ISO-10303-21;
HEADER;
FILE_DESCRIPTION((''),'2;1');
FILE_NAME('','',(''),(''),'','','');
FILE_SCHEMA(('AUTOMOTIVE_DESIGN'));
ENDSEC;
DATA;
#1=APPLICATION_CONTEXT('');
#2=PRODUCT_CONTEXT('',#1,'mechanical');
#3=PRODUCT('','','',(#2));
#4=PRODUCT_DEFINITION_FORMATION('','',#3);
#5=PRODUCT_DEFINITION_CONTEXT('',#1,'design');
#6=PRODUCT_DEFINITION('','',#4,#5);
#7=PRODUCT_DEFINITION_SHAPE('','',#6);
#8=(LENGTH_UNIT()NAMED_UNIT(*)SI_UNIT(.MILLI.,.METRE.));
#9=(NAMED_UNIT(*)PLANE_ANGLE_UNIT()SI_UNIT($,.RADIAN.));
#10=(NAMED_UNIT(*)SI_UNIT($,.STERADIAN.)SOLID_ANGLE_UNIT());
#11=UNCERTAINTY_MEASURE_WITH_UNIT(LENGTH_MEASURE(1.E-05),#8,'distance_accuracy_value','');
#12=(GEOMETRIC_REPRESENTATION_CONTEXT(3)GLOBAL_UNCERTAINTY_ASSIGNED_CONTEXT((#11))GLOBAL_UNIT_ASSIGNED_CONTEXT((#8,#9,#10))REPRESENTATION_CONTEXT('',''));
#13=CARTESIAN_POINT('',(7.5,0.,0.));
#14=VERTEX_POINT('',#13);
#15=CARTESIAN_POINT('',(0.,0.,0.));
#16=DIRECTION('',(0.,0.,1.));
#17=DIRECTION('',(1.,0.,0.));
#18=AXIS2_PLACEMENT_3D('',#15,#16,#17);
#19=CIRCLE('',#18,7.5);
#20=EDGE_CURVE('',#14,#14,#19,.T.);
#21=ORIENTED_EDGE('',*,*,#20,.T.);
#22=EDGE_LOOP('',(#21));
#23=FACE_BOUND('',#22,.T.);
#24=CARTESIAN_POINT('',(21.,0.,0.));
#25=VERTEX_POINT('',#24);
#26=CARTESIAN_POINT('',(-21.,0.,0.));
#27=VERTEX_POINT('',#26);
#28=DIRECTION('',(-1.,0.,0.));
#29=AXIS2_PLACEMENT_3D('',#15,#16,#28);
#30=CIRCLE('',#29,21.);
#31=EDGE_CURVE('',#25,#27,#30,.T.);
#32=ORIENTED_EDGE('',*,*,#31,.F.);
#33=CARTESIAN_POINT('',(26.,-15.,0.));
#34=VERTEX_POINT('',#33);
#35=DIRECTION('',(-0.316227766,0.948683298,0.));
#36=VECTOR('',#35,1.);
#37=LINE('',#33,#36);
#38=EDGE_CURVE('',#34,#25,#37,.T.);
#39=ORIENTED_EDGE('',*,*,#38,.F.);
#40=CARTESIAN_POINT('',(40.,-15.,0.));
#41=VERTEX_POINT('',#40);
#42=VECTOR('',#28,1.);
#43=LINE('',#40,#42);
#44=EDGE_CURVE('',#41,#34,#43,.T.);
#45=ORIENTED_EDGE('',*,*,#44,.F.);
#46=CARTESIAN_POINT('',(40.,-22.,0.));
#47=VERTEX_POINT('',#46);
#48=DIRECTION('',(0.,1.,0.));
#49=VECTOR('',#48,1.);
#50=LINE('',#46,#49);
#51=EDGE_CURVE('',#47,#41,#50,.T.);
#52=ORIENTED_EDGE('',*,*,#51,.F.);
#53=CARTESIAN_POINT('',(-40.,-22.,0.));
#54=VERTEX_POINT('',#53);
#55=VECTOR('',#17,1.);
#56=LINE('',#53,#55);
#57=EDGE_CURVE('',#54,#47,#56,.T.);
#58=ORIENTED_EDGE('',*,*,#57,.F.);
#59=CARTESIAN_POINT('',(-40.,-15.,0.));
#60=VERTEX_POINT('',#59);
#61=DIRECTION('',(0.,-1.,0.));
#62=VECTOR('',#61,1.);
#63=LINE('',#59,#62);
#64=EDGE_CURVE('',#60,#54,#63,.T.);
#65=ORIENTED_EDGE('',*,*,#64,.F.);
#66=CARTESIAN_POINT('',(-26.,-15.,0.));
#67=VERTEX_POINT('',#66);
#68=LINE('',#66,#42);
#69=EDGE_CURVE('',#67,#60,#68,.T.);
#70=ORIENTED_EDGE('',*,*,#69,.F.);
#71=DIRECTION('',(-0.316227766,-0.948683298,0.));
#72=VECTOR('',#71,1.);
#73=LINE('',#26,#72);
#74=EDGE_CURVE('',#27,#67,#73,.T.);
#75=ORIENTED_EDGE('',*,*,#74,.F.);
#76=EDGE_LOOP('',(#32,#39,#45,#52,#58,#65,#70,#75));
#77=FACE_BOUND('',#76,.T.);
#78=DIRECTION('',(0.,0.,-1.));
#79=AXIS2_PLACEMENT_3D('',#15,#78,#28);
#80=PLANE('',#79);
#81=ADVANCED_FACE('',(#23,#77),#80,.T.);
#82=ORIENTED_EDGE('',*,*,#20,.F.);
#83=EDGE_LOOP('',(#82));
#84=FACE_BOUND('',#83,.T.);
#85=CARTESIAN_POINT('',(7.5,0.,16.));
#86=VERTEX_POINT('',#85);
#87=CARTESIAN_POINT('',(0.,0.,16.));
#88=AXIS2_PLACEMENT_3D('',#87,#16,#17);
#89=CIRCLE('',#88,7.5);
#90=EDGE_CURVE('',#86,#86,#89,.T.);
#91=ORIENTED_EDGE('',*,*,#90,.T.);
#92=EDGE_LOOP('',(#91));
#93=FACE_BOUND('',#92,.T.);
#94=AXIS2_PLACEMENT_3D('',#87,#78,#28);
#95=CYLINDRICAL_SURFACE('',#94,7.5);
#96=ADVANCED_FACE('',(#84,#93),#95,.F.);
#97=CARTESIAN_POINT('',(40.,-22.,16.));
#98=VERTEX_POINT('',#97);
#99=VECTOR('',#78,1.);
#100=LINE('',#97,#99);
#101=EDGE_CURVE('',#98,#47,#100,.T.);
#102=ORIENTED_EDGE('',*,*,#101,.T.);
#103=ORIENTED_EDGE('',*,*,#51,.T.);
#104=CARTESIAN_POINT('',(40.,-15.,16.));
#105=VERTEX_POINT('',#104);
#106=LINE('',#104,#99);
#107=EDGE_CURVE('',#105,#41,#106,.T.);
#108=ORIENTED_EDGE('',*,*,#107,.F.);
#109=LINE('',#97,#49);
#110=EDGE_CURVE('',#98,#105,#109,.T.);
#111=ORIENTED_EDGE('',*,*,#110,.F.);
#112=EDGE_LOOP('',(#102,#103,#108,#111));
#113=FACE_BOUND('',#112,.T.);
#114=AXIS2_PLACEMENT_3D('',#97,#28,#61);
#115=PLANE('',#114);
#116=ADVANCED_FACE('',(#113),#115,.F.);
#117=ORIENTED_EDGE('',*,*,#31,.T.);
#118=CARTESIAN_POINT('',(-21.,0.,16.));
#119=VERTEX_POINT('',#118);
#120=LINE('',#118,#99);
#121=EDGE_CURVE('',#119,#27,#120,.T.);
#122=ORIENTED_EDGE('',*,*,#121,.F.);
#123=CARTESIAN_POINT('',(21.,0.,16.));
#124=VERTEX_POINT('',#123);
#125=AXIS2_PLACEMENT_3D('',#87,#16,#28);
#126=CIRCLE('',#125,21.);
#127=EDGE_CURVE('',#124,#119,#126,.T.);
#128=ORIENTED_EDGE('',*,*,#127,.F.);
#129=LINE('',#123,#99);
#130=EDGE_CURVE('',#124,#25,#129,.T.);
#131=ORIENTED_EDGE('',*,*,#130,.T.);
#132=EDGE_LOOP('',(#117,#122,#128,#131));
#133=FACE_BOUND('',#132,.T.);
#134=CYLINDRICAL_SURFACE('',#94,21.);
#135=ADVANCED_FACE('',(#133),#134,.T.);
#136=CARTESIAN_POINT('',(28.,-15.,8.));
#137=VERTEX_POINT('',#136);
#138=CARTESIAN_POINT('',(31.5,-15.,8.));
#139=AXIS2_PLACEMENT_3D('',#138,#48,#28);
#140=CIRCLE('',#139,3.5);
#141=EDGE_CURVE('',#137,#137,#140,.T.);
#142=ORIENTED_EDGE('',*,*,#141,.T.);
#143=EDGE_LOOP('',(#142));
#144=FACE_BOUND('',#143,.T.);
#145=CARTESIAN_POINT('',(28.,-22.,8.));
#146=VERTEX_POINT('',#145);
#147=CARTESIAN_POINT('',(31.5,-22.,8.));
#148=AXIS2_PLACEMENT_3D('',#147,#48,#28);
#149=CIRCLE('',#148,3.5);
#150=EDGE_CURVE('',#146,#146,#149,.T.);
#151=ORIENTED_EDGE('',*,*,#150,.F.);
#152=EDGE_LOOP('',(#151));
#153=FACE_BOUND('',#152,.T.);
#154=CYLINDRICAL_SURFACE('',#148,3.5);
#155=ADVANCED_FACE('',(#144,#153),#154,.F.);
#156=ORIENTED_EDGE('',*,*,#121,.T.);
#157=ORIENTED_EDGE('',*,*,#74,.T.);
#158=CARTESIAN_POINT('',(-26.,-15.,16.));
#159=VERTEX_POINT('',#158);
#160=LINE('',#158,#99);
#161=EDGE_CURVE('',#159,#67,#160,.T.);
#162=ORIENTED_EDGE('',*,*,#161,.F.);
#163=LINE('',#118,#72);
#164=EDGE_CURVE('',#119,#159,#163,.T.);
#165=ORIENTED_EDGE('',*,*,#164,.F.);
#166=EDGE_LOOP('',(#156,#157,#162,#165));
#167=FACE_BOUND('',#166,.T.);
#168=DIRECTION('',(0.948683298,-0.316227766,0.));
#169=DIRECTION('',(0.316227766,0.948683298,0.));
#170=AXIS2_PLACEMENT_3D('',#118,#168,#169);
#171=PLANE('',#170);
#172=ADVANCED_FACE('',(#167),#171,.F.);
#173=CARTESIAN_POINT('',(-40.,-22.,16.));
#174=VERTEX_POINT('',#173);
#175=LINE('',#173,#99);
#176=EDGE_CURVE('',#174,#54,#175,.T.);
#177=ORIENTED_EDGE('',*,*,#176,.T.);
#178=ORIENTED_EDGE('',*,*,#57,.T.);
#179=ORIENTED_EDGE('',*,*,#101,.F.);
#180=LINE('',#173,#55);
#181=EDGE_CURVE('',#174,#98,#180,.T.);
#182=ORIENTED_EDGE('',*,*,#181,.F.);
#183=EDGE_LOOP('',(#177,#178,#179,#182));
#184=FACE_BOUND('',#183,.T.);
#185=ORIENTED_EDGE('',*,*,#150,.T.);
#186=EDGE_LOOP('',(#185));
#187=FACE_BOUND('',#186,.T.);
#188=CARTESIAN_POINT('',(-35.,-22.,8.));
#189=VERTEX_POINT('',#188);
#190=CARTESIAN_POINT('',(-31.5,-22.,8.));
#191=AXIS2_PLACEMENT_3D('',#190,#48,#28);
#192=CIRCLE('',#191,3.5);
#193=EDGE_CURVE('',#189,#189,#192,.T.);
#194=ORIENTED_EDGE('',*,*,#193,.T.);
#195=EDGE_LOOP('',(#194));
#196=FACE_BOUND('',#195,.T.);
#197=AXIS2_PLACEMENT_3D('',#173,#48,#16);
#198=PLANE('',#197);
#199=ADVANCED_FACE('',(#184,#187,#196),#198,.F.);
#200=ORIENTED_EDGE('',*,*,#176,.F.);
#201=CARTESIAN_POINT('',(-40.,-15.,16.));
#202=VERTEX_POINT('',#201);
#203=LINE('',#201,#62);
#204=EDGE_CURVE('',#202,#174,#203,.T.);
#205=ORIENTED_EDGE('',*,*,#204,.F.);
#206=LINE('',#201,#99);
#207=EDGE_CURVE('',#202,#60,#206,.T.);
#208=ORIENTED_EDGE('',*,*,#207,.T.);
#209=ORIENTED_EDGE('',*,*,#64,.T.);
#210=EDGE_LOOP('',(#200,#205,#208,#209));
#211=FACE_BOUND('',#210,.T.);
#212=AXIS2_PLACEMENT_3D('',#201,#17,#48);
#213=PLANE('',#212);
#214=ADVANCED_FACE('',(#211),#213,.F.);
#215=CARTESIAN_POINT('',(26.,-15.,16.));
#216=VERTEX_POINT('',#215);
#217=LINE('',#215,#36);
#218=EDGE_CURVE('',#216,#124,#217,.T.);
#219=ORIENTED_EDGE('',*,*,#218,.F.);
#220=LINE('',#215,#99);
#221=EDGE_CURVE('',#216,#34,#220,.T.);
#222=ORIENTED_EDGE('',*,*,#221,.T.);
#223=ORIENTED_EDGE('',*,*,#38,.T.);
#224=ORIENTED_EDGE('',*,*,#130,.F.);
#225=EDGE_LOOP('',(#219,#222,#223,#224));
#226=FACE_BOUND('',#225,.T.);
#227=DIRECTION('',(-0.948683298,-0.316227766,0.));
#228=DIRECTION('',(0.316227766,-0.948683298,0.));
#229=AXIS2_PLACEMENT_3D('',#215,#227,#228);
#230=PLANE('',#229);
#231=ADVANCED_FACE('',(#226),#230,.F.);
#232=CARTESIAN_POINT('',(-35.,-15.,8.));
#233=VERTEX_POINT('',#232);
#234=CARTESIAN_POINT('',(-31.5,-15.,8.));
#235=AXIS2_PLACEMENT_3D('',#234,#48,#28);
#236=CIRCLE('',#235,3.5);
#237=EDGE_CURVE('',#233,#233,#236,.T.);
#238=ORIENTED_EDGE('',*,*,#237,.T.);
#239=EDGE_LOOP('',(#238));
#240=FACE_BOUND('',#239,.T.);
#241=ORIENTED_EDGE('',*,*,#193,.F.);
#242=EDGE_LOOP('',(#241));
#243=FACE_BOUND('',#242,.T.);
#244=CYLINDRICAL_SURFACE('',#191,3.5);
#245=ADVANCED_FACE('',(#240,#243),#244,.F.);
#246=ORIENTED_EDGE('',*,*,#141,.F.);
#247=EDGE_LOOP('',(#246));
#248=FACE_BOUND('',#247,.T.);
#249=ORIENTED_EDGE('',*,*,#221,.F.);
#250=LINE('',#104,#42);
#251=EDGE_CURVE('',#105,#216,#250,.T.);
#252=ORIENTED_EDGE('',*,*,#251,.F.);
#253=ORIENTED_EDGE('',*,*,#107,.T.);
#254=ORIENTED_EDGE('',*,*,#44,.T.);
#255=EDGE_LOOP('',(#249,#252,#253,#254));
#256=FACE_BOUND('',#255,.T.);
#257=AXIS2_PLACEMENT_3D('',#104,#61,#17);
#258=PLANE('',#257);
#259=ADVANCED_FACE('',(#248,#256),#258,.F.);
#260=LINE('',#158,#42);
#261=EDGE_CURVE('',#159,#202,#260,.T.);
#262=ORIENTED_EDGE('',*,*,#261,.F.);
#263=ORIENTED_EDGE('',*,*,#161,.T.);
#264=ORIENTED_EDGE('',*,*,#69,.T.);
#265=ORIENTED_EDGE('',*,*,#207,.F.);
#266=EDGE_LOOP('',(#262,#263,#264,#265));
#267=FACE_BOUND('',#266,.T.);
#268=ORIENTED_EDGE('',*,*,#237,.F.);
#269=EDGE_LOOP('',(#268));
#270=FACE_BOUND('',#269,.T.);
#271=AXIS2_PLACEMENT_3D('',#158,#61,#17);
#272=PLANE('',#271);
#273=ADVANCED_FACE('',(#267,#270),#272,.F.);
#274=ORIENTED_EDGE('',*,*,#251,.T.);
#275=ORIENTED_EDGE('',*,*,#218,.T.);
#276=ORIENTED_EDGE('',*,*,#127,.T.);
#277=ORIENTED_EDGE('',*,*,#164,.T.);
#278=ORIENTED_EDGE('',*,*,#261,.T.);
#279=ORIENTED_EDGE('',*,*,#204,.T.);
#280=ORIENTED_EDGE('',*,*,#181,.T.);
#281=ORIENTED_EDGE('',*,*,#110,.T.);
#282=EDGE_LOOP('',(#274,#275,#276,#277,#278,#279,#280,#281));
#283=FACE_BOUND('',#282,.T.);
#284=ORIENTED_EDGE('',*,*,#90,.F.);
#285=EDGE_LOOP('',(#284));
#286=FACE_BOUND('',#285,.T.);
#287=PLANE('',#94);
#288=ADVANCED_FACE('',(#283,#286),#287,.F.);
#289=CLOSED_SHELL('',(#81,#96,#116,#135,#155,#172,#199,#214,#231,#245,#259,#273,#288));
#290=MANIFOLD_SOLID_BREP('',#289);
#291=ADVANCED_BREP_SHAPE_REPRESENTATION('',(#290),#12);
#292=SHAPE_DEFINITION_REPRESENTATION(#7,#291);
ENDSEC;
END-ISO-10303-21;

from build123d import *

# Parameters (mm, degrees)
SKETCH_1_R          = 7.5
EXTRUDE_1_DEPTH     = 16
SKETCH_3_R          = 3.5
CUT_EXTRUDE_1_DEPTH = 57.14267539


with BuildPart() as part:
    # 草图1 → 凸台-拉伸1 (new body)
    with BuildSketch(Plane.XY):
        with BuildLine():
            Line((-21, 0), (-26, -15))
            Line((-26, -15), (-40, -15))
            Line((-40, -15), (-40, -22))
            Line((-40, -22), (40, -22))
            Line((40, -22), (40, -15))
            Line((40, -15), (26, -15))
            Line((26, -15), (21, 0))
            ThreePointArc((21, 0), (0, 21), (-21, 0))
        make_face()
        Circle(SKETCH_1_R, mode=Mode.SUBTRACT)
    extrude(amount=EXTRUDE_1_DEPTH)

    # 草图3 → 切除-拉伸1 (cut, through all)
    with BuildSketch(Plane(origin=(0, -15, 0), x_dir=(1, 0, 0), z_dir=(0, 1, 0))):
        with Locations(Location((-31.5, -8, 0), (0, 0, 180))):
            Circle(SKETCH_3_R)
        with Locations(Location((31.5, -8, 0), (0, 0, 180))):
            Circle(SKETCH_3_R)
    extrude(amount=-CUT_EXTRUDE_1_DEPTH, mode=Mode.SUBTRACT)


solid = part.part
